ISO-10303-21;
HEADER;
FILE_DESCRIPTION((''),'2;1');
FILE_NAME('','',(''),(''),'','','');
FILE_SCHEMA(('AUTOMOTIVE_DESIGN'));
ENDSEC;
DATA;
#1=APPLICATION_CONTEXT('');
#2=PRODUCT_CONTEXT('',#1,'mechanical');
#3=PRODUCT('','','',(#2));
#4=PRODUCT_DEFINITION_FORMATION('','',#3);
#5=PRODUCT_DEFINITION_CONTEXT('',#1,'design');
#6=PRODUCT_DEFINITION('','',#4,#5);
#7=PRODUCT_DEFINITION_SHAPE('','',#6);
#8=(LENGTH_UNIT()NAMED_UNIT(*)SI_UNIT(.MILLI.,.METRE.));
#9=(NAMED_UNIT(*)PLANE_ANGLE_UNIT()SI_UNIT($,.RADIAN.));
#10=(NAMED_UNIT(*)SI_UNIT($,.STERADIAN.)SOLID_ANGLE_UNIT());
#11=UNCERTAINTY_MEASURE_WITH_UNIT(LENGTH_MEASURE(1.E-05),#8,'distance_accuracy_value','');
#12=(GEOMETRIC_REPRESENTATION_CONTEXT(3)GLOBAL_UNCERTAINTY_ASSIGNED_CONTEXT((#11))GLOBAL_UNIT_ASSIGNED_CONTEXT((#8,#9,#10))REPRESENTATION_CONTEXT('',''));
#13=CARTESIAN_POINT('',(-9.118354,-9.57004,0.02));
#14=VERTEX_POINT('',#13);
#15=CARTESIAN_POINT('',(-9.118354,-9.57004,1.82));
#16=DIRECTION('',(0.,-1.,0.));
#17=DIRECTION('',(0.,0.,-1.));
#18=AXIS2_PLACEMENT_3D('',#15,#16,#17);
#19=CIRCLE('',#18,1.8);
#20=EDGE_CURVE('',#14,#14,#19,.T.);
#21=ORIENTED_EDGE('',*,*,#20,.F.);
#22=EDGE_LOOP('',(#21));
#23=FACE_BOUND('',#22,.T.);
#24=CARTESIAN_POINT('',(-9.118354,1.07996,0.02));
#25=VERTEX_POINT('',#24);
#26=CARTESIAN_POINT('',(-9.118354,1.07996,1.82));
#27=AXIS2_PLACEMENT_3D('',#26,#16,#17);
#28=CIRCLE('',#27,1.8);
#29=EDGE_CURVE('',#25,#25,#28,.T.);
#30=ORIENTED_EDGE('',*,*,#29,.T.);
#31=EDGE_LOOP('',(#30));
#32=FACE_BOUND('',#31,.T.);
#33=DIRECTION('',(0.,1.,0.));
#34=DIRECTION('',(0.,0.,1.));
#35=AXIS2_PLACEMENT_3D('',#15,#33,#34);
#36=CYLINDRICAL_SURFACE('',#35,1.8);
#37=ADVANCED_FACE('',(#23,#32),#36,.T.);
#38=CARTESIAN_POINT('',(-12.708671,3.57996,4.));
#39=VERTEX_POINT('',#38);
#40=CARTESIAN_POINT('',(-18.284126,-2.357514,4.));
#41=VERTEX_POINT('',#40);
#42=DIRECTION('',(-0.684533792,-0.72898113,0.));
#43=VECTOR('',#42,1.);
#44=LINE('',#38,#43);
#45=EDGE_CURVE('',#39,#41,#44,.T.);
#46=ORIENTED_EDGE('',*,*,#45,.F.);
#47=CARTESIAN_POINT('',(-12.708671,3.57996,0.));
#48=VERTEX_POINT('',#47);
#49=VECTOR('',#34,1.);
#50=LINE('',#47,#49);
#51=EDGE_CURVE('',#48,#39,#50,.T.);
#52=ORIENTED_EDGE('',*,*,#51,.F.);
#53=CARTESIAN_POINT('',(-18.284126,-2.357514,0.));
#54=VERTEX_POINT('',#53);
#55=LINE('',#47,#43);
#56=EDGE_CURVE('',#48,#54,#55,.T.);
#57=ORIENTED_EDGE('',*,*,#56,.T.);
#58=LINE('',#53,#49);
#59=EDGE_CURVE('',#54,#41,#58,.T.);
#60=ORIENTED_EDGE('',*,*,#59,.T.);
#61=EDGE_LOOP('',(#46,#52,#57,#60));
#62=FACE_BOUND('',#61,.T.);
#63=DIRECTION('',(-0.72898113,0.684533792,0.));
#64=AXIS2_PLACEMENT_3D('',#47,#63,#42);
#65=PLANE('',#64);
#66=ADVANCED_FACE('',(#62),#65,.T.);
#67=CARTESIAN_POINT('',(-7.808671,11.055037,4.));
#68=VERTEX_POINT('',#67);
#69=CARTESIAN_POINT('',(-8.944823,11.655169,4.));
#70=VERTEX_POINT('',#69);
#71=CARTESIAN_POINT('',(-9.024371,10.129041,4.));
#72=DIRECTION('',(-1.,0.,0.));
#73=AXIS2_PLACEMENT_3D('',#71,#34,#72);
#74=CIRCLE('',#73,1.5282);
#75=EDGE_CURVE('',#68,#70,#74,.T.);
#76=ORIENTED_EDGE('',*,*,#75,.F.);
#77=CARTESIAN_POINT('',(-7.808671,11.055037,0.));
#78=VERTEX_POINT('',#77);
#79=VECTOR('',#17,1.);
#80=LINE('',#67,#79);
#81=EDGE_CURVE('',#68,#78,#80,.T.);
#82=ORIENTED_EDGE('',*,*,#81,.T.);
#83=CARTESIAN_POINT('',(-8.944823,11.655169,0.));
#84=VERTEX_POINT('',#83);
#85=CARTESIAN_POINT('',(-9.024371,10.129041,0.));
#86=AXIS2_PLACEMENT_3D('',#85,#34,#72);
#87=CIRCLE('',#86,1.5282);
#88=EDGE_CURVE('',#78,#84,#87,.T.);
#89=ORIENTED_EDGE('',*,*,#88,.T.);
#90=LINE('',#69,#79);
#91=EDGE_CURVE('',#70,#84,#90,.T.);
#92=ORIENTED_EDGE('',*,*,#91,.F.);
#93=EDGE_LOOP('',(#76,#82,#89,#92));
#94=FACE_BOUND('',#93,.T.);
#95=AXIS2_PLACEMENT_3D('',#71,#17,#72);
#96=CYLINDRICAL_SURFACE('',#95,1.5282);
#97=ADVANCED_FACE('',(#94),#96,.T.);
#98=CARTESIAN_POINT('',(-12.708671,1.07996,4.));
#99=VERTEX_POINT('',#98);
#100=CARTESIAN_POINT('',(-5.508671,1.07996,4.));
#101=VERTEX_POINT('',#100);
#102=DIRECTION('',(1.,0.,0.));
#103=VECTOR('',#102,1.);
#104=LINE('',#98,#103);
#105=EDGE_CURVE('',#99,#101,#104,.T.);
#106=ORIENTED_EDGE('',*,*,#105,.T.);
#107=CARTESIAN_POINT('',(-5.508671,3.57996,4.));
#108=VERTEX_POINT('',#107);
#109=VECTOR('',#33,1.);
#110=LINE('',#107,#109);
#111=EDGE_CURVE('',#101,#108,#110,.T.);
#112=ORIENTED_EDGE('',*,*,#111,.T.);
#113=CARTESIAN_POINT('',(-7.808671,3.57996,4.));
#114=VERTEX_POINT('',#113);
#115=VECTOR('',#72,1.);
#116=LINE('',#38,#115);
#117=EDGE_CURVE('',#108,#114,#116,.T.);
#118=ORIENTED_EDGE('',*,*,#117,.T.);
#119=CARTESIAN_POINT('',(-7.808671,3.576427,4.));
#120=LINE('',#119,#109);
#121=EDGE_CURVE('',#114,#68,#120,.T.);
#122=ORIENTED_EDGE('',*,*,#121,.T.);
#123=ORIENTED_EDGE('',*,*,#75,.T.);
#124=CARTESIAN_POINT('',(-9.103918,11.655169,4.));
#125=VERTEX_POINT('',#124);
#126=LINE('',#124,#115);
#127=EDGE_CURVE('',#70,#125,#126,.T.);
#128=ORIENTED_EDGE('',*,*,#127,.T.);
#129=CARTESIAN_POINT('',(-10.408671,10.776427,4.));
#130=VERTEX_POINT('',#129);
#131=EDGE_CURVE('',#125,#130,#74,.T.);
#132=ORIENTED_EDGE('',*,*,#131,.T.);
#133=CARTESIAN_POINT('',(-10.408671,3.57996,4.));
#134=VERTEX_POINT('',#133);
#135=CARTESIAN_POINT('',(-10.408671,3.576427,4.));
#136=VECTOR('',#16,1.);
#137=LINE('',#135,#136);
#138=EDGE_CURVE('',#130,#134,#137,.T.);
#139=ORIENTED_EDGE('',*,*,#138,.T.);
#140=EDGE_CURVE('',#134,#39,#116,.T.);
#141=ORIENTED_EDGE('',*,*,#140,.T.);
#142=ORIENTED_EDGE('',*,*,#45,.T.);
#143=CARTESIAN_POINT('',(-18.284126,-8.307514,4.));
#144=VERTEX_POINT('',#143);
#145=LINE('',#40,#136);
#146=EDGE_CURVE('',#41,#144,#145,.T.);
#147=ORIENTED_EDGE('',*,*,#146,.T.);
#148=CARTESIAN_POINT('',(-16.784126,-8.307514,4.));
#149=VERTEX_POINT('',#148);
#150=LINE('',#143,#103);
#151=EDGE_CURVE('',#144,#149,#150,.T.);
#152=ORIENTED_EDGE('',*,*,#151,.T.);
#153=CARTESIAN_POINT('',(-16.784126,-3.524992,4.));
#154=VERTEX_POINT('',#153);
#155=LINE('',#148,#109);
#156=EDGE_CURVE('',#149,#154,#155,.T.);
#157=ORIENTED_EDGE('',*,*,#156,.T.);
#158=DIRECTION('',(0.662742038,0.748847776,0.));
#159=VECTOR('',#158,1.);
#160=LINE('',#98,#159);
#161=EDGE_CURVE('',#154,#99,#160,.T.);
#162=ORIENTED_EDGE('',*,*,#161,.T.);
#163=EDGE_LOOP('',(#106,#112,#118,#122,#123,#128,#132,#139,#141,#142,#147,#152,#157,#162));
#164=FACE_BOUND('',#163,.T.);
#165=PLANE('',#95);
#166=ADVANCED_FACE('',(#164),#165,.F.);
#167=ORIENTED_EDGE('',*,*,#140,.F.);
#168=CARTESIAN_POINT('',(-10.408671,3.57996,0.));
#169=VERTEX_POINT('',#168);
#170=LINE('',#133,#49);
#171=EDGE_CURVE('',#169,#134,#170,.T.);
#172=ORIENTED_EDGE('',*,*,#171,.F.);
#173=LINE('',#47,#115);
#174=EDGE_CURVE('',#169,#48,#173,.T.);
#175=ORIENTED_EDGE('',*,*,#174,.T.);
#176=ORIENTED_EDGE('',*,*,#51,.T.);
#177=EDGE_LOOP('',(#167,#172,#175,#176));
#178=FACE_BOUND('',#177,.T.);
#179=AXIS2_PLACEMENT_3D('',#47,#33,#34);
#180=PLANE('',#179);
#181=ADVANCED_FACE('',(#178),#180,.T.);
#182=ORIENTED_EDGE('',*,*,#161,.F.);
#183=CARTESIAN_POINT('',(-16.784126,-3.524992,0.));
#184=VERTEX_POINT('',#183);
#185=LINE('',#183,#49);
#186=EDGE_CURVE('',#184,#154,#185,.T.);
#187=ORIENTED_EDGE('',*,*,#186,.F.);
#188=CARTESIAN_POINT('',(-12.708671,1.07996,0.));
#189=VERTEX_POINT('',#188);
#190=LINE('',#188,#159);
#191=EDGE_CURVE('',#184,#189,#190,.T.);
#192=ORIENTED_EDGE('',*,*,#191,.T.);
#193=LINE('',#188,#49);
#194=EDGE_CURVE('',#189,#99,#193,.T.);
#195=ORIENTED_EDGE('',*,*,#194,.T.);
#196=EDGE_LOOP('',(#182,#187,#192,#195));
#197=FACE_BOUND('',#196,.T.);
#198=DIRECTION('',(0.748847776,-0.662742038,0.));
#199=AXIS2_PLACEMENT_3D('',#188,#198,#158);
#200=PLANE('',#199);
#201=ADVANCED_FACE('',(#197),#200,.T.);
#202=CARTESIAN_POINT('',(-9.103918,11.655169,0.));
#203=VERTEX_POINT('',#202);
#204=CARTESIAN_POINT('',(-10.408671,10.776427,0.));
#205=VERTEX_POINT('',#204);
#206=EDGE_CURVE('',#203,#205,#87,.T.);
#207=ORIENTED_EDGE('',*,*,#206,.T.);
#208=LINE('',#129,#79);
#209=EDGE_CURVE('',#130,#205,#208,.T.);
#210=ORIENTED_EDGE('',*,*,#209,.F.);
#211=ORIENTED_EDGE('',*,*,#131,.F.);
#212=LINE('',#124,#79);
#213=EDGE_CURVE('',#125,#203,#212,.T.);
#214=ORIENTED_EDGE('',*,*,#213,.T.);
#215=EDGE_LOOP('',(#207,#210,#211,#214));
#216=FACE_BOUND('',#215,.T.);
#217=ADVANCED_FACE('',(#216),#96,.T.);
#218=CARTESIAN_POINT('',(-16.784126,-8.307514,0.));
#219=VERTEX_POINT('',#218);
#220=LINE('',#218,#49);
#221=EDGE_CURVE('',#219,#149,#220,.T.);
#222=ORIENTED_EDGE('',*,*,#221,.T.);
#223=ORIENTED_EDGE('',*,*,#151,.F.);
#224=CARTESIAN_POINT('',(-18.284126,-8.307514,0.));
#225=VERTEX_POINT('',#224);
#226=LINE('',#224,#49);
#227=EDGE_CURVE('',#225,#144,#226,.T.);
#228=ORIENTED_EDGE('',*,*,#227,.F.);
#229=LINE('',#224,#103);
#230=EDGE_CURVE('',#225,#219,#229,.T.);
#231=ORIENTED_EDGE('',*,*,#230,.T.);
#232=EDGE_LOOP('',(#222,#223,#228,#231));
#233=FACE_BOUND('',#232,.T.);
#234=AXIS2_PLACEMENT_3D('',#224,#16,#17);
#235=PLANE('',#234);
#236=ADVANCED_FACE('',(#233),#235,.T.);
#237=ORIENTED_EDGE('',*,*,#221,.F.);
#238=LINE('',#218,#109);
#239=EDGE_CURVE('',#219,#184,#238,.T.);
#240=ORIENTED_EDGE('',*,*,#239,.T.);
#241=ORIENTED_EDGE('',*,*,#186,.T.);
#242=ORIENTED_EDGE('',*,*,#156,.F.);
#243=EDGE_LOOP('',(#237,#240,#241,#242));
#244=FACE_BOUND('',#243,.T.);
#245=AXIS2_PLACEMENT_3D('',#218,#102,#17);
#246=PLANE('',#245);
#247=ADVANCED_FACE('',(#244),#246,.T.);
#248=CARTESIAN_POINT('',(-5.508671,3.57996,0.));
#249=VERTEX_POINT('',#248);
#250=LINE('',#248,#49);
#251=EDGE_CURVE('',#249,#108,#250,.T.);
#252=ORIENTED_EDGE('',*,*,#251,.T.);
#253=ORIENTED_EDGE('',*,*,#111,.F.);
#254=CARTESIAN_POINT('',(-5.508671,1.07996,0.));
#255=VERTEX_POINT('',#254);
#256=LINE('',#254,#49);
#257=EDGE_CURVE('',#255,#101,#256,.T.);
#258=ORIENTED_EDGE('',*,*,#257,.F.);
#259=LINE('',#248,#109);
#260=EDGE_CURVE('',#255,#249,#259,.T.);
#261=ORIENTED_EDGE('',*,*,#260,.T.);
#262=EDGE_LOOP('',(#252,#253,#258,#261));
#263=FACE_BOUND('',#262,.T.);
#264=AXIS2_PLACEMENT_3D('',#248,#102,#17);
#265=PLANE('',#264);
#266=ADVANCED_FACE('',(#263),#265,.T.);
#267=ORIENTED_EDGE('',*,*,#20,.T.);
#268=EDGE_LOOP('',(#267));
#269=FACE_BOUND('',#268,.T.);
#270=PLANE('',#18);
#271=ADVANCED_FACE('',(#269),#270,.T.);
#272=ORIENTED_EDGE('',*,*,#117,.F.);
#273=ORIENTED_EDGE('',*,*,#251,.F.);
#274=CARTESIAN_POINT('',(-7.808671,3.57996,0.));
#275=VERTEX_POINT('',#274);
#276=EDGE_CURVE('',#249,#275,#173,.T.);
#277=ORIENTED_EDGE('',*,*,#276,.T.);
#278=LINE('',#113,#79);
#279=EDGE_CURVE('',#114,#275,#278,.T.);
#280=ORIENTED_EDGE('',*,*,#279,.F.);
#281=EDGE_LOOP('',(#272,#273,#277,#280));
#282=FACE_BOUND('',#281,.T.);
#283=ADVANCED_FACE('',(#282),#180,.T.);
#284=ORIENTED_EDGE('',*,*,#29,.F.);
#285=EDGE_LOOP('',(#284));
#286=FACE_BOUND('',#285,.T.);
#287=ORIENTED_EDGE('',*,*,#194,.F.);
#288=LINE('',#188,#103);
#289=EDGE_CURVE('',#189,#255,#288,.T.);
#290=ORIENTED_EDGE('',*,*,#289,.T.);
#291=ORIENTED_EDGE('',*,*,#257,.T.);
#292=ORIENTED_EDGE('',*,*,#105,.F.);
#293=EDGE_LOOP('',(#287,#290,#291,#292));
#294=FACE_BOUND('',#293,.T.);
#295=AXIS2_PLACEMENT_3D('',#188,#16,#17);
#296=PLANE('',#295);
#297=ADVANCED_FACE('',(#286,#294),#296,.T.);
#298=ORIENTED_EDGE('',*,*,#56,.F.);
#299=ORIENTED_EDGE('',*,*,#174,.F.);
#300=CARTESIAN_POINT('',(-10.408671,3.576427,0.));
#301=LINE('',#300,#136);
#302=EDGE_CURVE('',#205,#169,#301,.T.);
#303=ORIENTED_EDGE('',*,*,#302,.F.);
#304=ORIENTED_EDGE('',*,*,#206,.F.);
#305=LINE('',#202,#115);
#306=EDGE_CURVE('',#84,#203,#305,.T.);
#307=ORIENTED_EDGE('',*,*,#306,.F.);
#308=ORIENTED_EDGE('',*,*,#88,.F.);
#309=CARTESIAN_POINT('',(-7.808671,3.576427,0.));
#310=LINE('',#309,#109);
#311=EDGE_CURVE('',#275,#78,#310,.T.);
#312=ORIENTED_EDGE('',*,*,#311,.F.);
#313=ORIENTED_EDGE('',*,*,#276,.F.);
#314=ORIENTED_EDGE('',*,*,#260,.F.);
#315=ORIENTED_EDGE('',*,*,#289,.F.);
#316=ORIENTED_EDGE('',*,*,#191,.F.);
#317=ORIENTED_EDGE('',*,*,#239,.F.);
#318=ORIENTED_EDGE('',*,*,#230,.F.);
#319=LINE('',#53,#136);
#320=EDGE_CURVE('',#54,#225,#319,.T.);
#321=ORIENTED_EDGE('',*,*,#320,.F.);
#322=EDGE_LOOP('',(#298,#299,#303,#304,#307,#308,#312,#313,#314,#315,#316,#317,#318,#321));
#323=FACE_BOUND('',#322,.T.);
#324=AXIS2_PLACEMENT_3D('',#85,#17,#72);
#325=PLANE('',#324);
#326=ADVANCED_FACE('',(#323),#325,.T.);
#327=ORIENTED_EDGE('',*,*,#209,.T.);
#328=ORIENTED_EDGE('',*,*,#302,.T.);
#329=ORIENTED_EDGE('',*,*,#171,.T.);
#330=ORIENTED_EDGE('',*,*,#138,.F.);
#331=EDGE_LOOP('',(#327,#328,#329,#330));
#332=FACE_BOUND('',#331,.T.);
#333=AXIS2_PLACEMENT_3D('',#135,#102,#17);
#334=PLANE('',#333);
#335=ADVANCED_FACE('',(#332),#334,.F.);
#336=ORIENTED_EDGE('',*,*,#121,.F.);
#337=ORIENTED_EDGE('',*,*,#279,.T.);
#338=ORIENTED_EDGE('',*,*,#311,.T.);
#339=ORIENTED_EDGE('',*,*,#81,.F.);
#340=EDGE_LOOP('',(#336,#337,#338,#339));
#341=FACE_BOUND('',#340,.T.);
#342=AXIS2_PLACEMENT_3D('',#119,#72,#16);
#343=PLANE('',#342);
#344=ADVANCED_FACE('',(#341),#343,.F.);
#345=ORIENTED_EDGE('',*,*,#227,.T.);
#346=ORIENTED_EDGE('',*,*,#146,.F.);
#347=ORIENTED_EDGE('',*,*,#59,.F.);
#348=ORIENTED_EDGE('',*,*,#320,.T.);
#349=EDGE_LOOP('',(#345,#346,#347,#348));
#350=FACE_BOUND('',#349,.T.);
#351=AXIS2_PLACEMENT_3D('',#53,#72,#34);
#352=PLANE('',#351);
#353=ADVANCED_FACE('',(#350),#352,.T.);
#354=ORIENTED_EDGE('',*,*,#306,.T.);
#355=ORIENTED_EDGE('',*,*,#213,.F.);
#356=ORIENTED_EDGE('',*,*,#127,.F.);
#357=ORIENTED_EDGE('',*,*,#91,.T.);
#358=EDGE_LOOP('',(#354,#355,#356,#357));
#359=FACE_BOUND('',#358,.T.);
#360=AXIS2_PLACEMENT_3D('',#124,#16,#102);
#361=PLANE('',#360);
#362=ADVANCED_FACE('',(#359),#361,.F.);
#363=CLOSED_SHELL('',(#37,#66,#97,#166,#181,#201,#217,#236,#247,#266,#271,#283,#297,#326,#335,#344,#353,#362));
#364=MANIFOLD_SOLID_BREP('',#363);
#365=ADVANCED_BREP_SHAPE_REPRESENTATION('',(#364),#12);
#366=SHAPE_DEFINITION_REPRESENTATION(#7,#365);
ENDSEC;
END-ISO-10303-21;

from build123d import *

# Parameters (mm, degrees)
BOSS_EXTRUDE1_DEPTH = 4
SKETCH_1_W          = 7.2
SKETCH_1_H          = 2.5
EXTRUDE_1_DEPTH     = 4
EXTRUDE_2_DEPTH     = 4
SKETCH_6_R          = 1.8
EXTRUDE_3_DEPTH     = 10.65


with BuildPart() as part:
    # Sketch1 → Boss-Extrude1 (new body)
    with BuildSketch(Plane.XY):
        with BuildLine():
            Line((-10.408670574, 3.576426588), (-7.808670574, 3.576426588))
            Line((-7.808670574, 3.576426588), (-7.808670574, 11.055036677))
            ThreePointArc((-7.808670574, 11.055036677), (-8.310608651, 11.480313821), (-8.944823261, 11.655168937))
            Line((-8.944823261, 11.655168937), (-9.103917888, 11.655168937))
            ThreePointArc((-9.103917888, 11.655168937), (-9.878044557, 11.396572098), (-10.408670574, 10.776426588))
            Line((-10.408670574, 10.776426588), (-10.408670574, 3.576426588))
        make_face()
    extrude(amount=BOSS_EXTRUDE1_DEPTH)

    # Эскиз1 → Бобышка-Вытянуть1 (add)
    with BuildSketch(Plane.XY.offset(4)):
        with Locations((-9.108670574, 2.329960492)):
            Rectangle(SKETCH_1_W, SKETCH_1_H)
    extrude(amount=-EXTRUDE_1_DEPTH)

    # Эскиз5 → Бобышка-Вытянуть2 (add)
    with BuildSketch(Plane.XY.offset(4)):
        Polygon((-12.708670574, 3.579960492), (-18.284126234, -2.357514059), (-18.284126234, -8.307514059), (-16.784126234, -8.307514059), (-16.784126234, -3.524992463), (-12.708670574, 1.079960492), align=None)
    extrude(amount=-EXTRUDE_2_DEPTH)

    # Эскиз6 → Бобышка-Вытянуть3 (add)
    with BuildSketch(Plane.XZ.offset(-1.079960492)):
        with Locations((-9.118354015, 1.82)):
            Circle(SKETCH_6_R)
    extrude(amount=EXTRUDE_3_DEPTH)


solid = part.part
